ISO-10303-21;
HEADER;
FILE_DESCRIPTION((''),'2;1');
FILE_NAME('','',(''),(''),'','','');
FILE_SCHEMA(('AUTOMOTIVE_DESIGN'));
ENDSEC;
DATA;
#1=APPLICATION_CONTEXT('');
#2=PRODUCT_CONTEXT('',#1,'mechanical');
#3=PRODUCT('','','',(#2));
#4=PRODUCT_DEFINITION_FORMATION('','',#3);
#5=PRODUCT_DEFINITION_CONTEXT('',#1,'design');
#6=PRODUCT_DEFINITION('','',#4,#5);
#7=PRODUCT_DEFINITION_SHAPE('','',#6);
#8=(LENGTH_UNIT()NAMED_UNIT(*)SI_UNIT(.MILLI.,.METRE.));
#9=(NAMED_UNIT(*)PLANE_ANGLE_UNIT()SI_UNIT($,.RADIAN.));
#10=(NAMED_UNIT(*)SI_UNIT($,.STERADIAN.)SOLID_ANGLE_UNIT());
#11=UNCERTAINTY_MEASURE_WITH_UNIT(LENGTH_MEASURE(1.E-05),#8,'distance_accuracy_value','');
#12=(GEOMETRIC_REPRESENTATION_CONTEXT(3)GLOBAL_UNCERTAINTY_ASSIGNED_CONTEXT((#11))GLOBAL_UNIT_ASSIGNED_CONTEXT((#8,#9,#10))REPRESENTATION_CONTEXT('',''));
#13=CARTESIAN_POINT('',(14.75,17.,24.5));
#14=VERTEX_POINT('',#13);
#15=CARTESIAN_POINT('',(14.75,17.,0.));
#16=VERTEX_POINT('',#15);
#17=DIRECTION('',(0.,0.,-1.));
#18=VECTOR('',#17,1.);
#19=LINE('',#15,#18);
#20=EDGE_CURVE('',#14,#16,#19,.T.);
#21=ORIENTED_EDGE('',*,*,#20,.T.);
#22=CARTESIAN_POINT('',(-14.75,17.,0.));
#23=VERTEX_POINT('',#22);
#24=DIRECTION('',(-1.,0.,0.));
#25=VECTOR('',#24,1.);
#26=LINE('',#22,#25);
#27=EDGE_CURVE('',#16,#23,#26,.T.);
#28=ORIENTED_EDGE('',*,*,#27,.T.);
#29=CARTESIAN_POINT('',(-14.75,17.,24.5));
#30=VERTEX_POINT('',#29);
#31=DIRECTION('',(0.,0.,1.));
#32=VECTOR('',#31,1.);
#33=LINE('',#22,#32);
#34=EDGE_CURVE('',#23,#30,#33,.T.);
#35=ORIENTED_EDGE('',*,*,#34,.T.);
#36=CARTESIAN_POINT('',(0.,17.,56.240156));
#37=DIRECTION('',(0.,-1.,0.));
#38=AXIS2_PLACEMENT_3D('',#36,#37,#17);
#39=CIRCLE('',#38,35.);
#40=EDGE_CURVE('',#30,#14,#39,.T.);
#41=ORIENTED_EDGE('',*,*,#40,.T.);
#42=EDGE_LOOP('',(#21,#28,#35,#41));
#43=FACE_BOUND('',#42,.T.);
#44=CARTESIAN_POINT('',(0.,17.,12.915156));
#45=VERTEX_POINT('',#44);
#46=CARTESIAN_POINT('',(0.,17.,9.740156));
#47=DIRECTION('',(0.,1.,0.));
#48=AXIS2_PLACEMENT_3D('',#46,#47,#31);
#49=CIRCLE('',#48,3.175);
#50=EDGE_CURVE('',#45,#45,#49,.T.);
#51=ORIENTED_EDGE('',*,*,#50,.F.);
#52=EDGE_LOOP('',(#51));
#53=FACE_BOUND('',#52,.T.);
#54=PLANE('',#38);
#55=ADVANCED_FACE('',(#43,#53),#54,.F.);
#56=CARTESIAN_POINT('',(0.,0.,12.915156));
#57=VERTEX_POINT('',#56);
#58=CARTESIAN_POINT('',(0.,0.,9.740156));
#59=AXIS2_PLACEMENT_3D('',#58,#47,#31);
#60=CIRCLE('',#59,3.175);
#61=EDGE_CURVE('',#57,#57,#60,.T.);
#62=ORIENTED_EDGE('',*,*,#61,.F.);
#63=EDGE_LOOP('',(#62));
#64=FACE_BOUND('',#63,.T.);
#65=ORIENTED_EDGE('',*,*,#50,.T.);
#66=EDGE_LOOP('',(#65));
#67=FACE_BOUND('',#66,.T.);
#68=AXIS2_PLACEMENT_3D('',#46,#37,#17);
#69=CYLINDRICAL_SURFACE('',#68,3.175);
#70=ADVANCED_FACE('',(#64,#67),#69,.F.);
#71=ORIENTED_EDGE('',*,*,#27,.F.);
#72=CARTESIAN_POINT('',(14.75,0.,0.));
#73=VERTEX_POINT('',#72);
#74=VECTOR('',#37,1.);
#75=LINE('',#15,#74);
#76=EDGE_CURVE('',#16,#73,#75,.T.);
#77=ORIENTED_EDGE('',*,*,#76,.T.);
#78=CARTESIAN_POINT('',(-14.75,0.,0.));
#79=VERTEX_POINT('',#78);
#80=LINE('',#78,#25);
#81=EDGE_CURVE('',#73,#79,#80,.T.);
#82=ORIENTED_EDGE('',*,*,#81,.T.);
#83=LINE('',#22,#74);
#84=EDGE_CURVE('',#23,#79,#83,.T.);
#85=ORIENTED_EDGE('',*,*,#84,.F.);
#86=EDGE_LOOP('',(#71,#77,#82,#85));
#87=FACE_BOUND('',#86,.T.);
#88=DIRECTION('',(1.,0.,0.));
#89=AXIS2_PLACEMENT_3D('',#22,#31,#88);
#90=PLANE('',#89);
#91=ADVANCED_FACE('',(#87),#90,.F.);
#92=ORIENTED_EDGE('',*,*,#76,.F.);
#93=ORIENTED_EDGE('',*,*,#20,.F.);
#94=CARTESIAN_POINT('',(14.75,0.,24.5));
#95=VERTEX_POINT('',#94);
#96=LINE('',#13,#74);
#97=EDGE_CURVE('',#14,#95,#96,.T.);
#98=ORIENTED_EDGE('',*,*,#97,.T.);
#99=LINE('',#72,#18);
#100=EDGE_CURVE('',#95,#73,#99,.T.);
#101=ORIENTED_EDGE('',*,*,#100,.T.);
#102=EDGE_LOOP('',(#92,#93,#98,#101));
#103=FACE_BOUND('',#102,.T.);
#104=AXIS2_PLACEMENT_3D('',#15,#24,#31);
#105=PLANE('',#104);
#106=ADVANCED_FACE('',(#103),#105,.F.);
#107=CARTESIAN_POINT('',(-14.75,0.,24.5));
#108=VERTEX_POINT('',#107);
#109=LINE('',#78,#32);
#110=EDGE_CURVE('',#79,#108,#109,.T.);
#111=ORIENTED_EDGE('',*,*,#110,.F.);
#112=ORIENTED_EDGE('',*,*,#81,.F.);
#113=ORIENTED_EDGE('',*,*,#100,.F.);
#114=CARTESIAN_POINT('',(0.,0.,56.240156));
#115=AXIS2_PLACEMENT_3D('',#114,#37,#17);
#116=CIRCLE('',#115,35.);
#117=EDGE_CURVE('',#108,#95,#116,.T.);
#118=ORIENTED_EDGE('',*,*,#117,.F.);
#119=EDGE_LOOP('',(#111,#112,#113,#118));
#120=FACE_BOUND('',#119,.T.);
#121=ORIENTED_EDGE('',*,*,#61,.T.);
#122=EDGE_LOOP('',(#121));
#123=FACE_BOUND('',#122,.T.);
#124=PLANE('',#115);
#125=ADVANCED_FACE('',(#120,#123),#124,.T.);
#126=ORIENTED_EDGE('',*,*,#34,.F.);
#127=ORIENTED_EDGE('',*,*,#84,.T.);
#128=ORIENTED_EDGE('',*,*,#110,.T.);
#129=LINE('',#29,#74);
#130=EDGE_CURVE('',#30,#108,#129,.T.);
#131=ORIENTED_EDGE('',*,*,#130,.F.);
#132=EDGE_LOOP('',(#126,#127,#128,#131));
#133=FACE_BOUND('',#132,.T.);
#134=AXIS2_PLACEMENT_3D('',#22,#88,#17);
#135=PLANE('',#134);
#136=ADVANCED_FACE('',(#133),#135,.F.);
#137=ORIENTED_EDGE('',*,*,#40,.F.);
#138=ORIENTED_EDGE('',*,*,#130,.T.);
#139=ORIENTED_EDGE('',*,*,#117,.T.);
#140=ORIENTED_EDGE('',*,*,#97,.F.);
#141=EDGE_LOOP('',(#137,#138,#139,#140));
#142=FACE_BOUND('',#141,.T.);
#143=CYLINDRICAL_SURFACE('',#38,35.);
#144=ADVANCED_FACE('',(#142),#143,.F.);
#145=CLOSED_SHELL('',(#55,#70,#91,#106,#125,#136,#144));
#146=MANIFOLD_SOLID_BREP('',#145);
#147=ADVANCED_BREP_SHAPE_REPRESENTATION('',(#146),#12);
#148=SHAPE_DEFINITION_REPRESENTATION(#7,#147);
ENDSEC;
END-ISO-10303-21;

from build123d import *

# Parameters (mm, degrees)
ESQUISSE1_R        = 3.175
BOSS_EXTRU_1_DEPTH = 17


with BuildPart() as part:
    # Esquisse1 → Boss.-Extru.1 (new body)
    with BuildSketch(Plane(origin=(0, 0, 0), x_dir=(1, 0, 0), z_dir=(0, 1, 0))):
        with BuildLine():
            Line((-14.75, 0), (14.75, 0))
            Line((14.75, 0), (14.75, -24.5))
            ThreePointArc((14.75, -24.5), (0, -21.240155954), (-14.75, -24.5))
            Line((-14.75, -24.5), (-14.75, 0))
        make_face()
        with Locations(Location((0, -9.740155954, 0), (0, 0, 270))):
            Circle(ESQUISSE1_R, mode=Mode.SUBTRACT)
    extrude(amount=BOSS_EXTRU_1_DEPTH)


solid = part.part
